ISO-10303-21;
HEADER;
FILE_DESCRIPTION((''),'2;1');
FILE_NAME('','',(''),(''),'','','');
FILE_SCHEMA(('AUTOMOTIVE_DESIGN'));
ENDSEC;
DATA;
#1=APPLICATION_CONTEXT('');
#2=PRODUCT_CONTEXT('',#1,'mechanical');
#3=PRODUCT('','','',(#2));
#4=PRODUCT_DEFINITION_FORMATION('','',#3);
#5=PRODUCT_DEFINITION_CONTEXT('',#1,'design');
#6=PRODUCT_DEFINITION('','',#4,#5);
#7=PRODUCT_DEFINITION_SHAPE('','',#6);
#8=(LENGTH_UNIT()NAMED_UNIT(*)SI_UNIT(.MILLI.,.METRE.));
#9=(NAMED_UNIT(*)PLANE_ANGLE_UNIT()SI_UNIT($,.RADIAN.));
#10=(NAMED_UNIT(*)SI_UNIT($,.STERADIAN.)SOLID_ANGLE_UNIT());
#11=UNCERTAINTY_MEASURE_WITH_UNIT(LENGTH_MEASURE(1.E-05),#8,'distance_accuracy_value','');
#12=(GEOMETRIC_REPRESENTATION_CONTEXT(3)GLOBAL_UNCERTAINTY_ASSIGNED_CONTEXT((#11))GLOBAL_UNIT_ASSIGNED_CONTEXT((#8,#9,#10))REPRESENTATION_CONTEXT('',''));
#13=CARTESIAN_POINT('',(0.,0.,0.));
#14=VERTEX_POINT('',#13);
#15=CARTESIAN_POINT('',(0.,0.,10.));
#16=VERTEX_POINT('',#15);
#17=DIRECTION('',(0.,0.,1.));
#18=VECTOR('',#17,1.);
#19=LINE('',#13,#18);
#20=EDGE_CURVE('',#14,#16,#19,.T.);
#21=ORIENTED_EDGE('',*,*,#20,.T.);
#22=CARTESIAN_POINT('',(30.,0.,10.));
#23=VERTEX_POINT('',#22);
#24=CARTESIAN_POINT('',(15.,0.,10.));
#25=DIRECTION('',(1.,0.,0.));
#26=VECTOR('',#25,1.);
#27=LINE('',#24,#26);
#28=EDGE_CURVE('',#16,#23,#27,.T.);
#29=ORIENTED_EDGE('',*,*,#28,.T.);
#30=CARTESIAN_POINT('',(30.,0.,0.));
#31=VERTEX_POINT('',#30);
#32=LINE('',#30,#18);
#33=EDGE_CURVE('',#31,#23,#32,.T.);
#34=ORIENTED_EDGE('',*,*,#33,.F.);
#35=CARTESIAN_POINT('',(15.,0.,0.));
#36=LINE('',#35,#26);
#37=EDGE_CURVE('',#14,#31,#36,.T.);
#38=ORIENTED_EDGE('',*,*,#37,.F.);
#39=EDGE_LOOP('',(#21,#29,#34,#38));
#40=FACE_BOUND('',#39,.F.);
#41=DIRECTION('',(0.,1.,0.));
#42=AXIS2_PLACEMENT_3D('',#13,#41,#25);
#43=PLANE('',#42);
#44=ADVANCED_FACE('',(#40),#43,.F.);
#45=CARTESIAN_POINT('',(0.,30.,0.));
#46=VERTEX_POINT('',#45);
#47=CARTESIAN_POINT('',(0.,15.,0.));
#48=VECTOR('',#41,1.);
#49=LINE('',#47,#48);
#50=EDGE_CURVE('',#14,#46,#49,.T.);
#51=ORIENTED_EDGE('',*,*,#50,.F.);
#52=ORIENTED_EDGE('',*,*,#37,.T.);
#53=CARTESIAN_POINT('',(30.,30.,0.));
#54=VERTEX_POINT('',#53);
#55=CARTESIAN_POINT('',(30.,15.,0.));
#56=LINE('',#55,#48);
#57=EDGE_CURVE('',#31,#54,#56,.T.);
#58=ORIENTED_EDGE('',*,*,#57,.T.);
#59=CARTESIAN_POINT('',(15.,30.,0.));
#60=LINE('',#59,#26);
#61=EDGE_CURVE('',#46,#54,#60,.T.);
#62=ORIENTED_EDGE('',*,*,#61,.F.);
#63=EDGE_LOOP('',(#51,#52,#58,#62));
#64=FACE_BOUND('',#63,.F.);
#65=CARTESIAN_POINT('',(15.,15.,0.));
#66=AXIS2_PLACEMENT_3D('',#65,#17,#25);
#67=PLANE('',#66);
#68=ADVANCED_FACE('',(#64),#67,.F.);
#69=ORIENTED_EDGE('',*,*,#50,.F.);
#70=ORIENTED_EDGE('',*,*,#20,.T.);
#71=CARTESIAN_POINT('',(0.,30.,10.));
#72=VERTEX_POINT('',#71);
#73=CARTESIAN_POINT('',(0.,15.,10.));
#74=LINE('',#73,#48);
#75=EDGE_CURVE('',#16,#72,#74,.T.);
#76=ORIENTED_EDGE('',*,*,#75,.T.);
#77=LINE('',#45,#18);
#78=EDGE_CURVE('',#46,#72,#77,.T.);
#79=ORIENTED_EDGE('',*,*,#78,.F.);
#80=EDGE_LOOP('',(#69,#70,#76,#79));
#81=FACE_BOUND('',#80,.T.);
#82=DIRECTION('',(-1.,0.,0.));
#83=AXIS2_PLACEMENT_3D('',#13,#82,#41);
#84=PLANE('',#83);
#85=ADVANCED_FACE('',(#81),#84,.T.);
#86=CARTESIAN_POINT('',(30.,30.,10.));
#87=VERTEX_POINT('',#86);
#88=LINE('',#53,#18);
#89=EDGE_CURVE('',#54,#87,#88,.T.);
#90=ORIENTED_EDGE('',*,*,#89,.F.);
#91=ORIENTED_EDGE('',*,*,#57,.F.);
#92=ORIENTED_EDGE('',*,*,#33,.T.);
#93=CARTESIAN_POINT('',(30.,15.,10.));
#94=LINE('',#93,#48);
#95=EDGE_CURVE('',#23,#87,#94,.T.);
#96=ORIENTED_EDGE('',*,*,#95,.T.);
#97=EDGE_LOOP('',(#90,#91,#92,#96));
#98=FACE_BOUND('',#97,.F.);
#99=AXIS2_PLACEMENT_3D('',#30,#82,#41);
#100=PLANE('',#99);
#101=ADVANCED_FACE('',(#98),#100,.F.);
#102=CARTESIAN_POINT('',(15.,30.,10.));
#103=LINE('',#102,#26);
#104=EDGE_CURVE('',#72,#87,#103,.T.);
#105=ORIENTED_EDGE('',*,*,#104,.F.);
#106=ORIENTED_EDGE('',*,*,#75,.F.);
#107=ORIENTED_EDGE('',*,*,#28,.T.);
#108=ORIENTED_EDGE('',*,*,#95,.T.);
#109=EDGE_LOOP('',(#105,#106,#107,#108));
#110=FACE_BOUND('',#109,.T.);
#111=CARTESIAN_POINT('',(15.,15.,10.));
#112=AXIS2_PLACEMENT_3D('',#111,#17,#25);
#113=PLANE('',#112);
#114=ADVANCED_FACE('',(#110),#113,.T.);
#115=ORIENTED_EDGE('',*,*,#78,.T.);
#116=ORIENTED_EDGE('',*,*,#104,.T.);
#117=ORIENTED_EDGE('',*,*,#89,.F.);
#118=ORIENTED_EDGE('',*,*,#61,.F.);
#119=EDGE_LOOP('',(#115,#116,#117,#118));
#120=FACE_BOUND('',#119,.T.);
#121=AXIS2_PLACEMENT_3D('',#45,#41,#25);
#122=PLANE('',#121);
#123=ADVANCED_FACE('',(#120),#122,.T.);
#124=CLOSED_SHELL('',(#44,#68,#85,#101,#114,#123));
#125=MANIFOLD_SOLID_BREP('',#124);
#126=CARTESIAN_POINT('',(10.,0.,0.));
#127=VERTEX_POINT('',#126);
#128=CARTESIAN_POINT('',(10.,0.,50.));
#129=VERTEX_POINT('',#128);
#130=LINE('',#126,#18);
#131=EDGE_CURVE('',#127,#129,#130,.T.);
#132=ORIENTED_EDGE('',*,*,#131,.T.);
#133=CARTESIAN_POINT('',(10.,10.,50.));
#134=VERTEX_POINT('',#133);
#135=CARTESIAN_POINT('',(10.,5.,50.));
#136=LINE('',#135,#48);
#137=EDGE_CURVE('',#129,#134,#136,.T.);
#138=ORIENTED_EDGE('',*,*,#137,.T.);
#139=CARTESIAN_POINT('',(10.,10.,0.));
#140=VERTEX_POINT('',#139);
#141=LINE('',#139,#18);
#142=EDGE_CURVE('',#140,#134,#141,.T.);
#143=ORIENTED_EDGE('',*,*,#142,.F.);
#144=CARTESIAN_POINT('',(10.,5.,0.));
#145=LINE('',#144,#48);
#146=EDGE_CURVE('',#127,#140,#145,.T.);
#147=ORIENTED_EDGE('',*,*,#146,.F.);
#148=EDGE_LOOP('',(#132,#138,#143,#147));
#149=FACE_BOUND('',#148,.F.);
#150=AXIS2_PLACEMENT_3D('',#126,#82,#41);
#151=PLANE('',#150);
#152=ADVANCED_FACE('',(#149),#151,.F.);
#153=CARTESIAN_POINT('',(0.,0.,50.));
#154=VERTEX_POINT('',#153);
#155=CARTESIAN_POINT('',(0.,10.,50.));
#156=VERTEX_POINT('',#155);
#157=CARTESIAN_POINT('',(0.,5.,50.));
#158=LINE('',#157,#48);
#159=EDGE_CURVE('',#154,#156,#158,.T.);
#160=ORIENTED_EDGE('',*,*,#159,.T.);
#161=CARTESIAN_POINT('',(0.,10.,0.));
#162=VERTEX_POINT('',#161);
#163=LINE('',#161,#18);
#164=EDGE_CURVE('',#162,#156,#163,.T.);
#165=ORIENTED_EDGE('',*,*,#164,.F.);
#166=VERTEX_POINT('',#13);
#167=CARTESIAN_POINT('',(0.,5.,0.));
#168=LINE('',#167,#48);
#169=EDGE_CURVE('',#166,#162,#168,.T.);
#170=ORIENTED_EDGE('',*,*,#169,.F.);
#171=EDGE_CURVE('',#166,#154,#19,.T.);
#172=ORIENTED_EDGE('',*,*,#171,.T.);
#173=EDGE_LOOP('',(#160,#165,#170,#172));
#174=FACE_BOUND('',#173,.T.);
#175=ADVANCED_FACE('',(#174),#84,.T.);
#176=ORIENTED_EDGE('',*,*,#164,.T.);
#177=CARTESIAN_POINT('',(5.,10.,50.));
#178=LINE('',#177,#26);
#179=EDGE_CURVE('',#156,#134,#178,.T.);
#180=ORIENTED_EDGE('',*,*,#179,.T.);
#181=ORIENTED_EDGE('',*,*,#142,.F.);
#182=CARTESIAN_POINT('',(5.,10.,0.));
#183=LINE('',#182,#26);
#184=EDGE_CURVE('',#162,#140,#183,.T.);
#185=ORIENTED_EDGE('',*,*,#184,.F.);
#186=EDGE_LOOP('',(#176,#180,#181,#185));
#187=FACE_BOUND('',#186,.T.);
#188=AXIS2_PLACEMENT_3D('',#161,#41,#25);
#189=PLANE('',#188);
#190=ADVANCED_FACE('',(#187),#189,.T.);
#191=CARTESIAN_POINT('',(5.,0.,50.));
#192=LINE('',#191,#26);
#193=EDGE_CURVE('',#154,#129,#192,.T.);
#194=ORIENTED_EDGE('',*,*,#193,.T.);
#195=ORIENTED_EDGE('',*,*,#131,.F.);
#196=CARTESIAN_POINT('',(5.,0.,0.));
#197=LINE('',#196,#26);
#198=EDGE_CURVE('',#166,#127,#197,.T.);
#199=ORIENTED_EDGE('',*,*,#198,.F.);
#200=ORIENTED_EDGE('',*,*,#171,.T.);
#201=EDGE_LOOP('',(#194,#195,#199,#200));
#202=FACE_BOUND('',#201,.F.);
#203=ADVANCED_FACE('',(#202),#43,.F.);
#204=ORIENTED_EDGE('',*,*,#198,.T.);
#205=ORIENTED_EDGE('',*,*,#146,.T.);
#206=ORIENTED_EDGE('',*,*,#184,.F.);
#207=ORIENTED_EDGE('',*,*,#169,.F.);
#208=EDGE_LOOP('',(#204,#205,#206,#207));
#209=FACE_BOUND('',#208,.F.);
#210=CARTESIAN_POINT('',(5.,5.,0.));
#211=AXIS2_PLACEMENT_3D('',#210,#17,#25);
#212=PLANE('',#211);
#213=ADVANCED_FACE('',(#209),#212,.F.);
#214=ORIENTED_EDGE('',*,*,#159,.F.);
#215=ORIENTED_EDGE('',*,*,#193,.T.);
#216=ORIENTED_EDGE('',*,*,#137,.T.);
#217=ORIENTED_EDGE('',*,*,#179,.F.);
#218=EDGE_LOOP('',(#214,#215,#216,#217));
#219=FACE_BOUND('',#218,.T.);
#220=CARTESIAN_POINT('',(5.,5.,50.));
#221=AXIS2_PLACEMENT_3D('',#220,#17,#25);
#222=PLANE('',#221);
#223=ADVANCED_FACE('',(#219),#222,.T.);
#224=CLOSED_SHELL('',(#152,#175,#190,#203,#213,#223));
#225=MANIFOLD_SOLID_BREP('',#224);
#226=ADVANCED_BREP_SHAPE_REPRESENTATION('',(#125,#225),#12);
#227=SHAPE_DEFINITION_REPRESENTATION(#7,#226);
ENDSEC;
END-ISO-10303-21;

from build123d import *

# Parameters (mm, degrees)
BOX_W        = 30
BOX_H        = 30
BOX_DEPTH    = 10
BOX001_W     = 10
BOX001_H     = 10
BOX001_DEPTH = 50


with BuildPart() as cubo:
    # Box → Box (new body)
    with BuildSketch(Plane.XY):
        with Locations((15, 15)):
            Rectangle(BOX_W, BOX_H)
    extrude(amount=BOX_DEPTH)


with BuildPart() as cubo001:
    # Box001 → Box001 (new body)
    with BuildSketch(Plane.XY):
        with Locations((5, 5)):
            Rectangle(BOX001_W, BOX001_H)
    extrude(amount=BOX001_DEPTH)


solid = Compound([cubo.part, cubo001.part])
